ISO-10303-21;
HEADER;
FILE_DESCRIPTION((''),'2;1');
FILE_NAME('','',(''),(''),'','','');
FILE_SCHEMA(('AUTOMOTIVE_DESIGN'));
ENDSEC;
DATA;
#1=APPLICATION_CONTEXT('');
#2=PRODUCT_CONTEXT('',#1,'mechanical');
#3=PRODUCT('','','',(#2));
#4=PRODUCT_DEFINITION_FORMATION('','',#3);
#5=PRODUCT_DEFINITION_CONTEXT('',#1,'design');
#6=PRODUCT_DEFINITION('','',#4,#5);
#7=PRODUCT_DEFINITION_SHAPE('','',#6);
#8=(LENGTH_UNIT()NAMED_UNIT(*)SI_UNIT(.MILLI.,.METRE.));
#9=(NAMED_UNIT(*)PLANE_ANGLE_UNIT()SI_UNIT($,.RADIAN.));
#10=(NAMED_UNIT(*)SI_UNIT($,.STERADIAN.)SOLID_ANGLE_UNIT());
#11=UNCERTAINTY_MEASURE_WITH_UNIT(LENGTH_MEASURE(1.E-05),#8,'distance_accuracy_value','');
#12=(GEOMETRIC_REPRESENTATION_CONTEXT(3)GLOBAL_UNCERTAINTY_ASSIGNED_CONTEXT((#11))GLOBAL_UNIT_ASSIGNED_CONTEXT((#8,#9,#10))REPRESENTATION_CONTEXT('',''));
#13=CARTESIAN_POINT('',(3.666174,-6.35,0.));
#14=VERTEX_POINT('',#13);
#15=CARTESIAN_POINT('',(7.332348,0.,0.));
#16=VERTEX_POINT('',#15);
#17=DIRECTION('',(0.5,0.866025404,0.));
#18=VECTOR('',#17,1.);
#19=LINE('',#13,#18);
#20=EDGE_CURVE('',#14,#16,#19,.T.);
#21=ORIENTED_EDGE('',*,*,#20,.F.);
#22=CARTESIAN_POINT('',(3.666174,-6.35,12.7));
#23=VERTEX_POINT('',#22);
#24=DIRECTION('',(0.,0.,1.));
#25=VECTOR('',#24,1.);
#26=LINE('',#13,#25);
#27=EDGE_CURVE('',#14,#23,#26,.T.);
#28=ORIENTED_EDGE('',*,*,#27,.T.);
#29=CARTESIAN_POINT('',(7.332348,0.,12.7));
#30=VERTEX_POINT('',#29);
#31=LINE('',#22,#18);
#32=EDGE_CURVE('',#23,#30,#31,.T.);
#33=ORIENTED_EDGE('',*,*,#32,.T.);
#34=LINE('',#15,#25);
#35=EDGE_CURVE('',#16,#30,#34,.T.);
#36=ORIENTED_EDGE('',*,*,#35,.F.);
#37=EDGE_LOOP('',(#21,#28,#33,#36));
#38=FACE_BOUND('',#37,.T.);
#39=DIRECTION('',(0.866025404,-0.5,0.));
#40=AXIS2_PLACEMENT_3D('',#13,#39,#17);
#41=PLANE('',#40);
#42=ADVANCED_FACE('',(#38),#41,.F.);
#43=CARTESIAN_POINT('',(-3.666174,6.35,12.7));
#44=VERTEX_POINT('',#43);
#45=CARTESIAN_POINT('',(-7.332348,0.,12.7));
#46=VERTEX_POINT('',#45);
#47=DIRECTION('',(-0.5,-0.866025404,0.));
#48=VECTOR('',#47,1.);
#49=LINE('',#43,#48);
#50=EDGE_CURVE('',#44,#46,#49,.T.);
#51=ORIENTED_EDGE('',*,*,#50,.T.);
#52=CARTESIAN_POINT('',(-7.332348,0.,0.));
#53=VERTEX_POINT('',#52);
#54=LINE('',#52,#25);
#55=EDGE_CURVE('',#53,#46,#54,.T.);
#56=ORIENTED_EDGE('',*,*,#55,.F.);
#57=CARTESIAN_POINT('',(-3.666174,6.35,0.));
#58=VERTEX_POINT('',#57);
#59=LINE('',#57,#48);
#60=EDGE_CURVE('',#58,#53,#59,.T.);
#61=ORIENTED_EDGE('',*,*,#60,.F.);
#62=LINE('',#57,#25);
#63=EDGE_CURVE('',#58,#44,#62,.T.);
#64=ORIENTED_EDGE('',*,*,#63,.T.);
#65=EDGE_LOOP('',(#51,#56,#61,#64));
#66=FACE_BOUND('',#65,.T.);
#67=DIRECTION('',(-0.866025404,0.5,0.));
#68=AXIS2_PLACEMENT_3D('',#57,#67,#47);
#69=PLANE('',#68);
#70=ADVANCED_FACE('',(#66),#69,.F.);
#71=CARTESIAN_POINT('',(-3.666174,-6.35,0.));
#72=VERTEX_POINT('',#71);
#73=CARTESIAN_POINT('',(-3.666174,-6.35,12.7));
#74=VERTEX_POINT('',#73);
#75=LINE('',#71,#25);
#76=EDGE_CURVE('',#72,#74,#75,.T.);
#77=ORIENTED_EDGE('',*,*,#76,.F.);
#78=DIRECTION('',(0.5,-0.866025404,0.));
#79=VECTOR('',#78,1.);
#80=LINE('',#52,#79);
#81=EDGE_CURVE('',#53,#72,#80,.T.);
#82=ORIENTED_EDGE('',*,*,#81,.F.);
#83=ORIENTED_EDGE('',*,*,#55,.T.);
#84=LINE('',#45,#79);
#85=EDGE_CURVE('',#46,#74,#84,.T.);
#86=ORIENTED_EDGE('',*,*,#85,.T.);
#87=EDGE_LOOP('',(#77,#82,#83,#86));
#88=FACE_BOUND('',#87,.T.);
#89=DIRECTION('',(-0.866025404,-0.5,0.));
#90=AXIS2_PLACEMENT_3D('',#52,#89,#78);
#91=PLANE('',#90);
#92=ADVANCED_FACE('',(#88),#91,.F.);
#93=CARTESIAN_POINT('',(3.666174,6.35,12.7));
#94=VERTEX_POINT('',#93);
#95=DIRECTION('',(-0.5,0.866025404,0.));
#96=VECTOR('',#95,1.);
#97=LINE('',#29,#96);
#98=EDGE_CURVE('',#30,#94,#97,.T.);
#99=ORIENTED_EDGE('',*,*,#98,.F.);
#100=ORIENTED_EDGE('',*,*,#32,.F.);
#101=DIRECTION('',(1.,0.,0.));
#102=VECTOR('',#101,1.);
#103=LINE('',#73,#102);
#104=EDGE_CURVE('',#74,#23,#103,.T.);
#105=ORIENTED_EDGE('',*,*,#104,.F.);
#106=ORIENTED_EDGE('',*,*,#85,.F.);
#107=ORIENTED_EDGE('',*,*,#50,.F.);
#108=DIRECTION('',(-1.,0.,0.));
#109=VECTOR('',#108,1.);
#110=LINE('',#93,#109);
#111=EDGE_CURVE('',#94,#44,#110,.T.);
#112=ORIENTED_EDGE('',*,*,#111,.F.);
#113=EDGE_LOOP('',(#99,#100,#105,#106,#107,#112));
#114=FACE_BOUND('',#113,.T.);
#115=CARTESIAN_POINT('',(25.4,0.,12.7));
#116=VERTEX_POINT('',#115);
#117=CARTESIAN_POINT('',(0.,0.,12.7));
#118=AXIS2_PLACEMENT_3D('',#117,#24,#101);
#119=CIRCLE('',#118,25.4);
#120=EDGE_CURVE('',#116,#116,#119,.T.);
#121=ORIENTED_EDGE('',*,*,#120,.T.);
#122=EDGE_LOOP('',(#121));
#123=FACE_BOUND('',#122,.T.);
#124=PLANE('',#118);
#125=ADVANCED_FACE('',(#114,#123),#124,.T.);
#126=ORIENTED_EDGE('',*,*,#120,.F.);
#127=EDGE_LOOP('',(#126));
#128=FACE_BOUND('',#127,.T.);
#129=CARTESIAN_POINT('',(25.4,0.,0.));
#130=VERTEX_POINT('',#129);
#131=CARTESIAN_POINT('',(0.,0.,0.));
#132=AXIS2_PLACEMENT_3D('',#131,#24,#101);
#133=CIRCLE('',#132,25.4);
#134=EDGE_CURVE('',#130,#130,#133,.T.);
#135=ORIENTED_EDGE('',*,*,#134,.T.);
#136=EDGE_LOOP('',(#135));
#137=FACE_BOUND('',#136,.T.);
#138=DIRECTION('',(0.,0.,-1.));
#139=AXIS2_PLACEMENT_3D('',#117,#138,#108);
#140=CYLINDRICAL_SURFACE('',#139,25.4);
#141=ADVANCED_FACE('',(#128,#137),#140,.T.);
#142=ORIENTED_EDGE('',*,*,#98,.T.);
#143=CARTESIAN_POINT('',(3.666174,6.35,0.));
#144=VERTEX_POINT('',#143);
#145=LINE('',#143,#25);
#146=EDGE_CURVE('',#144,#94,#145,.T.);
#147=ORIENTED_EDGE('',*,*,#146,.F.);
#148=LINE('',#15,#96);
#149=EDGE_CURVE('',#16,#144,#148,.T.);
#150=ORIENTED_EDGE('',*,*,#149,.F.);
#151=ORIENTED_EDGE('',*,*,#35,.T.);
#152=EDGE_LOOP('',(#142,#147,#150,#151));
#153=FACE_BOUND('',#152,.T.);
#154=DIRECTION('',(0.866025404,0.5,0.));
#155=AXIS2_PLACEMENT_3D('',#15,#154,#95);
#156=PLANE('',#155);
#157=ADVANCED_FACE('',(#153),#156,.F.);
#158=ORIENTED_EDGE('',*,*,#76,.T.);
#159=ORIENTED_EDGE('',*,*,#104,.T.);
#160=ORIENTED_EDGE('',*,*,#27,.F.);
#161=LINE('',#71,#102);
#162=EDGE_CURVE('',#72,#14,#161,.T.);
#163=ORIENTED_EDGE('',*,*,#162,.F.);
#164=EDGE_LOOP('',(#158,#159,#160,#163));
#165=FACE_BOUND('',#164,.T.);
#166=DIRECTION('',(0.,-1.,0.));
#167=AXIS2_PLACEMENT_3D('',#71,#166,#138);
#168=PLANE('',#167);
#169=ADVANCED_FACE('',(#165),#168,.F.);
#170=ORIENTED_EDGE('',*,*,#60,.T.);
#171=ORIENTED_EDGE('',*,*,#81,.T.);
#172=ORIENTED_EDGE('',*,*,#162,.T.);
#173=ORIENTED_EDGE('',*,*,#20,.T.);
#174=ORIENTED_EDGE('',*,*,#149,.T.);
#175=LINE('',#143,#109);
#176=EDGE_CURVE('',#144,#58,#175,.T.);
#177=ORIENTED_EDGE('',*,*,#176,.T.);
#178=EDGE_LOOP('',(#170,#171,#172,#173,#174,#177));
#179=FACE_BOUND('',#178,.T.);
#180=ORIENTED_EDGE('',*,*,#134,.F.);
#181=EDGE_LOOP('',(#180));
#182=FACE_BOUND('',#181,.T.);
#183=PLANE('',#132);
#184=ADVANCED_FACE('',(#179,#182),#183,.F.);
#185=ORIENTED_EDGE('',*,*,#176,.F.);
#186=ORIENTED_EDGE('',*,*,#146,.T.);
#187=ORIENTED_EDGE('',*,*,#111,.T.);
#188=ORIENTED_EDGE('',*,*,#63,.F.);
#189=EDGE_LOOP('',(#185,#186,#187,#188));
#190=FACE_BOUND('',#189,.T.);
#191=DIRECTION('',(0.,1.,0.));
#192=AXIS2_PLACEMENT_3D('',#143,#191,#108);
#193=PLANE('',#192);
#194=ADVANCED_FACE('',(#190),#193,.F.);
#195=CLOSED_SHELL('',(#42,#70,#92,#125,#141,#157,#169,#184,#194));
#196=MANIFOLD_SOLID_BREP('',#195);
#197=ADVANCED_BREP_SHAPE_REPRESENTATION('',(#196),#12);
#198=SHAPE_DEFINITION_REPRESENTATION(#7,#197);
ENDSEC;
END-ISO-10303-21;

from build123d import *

# Parameters (mm, degrees)
SKETCH1_R               = 25.4
BOSS_EXTRUDE1_DEPTH     = 12.7
CUT_EXTRUDE1_DEPTH      = 39.1
CUT_EXTRUDE1_DEPTH_BACK = 39.1


with BuildPart() as part:
    # Sketch1 → Boss-Extrude1 (new body)
    with BuildSketch(Plane.XY):
        Circle(SKETCH1_R)
    extrude(amount=BOSS_EXTRUDE1_DEPTH)

    # Sketch2 → Cut-Extrude1 (cut, two sides: drawn at the far end of the back side and taken through both)
    with BuildSketch(Plane.XY.offset(12.7).offset(-CUT_EXTRUDE1_DEPTH_BACK)):
        Polygon((7.332348419, 0), (3.666174209, 6.35), (-3.666174209, 6.35), (-7.332348419, 0), (-3.666174209, -6.35), (3.666174209, -6.35), align=None)
    extrude(amount=CUT_EXTRUDE1_DEPTH + CUT_EXTRUDE1_DEPTH_BACK, mode=Mode.SUBTRACT)


solid = part.part
